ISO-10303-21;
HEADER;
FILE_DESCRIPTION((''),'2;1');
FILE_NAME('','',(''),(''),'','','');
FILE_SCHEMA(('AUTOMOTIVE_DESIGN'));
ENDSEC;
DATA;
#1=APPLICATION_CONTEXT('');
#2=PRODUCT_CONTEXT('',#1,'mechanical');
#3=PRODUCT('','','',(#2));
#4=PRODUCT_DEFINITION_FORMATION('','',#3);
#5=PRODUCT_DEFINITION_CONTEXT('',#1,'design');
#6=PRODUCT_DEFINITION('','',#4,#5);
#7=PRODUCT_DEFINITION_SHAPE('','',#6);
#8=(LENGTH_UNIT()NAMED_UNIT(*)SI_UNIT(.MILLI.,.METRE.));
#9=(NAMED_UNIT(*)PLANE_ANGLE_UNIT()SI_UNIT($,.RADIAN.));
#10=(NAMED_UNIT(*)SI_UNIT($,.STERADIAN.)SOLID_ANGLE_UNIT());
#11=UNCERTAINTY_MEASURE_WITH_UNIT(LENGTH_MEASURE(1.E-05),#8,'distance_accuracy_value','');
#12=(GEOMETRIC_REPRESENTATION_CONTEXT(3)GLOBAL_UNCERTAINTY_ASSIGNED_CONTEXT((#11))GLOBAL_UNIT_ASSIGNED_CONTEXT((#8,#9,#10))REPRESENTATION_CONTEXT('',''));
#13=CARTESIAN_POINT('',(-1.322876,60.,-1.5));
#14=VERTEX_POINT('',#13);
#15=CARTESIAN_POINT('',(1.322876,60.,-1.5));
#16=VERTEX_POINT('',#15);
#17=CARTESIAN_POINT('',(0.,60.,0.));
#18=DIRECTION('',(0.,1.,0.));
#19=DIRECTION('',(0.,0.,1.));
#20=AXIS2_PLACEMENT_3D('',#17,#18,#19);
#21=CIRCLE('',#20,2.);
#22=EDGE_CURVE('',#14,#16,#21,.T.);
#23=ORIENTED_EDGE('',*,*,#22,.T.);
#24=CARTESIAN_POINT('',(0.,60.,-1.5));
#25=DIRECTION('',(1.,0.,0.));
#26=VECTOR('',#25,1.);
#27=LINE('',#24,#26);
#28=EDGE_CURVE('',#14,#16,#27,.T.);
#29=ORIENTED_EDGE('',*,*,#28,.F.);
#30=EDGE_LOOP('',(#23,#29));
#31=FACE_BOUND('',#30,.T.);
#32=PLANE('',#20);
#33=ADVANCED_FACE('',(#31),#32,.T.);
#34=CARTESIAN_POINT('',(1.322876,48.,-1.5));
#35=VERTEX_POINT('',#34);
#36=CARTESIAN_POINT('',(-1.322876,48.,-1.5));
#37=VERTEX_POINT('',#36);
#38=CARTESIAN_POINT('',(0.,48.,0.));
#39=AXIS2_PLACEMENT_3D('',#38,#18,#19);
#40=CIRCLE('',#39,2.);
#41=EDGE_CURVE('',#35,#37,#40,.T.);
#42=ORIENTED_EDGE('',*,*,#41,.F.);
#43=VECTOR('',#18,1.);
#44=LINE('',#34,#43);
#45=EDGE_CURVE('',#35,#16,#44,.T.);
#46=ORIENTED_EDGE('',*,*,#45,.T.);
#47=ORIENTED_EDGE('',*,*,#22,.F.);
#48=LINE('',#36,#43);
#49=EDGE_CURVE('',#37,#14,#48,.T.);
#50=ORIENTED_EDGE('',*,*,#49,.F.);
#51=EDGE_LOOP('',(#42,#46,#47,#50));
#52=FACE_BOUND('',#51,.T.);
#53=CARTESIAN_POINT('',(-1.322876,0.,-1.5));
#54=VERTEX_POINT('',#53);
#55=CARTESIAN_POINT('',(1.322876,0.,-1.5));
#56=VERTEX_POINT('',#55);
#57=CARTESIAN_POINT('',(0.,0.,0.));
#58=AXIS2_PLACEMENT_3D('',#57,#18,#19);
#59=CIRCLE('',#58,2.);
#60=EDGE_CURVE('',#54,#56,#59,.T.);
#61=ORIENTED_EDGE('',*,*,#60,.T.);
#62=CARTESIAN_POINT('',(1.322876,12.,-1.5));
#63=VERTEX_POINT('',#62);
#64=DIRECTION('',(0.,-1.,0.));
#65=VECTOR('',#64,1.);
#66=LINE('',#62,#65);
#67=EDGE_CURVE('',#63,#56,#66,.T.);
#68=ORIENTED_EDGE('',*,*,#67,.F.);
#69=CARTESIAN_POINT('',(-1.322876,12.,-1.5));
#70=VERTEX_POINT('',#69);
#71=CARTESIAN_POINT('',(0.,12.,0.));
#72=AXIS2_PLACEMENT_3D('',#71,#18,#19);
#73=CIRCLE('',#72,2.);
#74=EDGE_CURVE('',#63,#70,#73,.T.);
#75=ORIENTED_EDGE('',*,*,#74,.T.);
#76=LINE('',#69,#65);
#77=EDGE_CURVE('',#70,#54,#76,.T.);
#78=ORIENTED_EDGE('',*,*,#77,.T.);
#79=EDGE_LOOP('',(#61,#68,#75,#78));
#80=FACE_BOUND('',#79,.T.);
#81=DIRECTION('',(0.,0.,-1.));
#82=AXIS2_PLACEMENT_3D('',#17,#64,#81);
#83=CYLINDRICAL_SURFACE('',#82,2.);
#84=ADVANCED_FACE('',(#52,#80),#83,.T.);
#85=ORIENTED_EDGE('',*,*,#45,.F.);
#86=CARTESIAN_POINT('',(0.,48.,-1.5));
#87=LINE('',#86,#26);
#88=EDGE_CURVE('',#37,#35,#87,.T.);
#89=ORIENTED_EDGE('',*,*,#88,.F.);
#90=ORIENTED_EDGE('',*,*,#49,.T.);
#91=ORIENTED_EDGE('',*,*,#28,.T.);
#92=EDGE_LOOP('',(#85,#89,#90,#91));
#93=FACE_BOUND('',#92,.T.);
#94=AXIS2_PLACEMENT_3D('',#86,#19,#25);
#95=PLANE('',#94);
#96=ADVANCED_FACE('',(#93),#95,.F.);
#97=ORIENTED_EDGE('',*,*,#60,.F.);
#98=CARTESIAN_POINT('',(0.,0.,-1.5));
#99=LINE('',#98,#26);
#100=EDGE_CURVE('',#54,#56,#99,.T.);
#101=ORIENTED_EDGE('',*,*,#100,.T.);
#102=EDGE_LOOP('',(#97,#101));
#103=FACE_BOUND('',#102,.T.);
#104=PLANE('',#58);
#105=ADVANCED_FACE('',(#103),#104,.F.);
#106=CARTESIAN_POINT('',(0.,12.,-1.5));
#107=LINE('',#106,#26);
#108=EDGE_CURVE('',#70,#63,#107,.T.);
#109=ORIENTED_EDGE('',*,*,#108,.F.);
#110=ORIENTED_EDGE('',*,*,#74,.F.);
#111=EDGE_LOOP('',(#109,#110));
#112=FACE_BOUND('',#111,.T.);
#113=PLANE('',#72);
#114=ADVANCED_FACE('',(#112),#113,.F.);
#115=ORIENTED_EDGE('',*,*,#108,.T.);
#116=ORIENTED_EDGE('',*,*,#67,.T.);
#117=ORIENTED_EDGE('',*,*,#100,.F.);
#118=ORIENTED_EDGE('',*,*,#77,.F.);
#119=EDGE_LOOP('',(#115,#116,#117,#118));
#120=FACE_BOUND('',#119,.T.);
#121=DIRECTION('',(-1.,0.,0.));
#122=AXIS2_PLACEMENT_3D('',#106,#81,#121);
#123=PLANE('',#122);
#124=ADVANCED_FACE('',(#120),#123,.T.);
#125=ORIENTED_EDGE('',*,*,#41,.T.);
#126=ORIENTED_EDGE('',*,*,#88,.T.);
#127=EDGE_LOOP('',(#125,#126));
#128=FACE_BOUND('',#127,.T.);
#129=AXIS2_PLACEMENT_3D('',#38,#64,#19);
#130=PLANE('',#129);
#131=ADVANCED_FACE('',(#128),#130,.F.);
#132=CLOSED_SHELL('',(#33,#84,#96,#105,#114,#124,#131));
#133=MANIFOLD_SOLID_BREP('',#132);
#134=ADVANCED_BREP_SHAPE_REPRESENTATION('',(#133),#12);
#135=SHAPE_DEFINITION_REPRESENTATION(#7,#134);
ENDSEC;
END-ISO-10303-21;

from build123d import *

# Parameters (mm, degrees)
SKETCH1_R          = 2
LENGTH_DEPTH       = 60
CUT_EXTRUDE1_DEPTH = 12


with BuildPart() as part:
    # Sketch1 → Length (new body)
    with BuildSketch(Plane(origin=(0, 0, 0), x_dir=(1, 0, 0), z_dir=(0, 1, 0))):
        Circle(SKETCH1_R)
    extrude(amount=LENGTH_DEPTH)

    # Sketch1<3> → Cut-Extrude1 (cut)
    with BuildSketch(Plane(origin=(0, 0, 0), x_dir=(1, 0, 0), z_dir=(0, 1, 0))):
        with BuildLine():
            ThreePointArc((1.322875656, 1.5), (0, 2), (-1.322875656, 1.5))
            Line((-1.322875656, 1.5), (1.322875656, 1.5))
        make_face()
    cut_extrude1 = extrude(amount=CUT_EXTRUDE1_DEPTH, mode=Mode.SUBTRACT)

    # Mirror1: Cut-Extrude1 across plane
    add(cut_extrude1.mirror(Plane(origin=(0, 30, 0), x_dir=(0, 0, 1), z_dir=(0, -1, 0))), mode=Mode.SUBTRACT)


solid = part.part
